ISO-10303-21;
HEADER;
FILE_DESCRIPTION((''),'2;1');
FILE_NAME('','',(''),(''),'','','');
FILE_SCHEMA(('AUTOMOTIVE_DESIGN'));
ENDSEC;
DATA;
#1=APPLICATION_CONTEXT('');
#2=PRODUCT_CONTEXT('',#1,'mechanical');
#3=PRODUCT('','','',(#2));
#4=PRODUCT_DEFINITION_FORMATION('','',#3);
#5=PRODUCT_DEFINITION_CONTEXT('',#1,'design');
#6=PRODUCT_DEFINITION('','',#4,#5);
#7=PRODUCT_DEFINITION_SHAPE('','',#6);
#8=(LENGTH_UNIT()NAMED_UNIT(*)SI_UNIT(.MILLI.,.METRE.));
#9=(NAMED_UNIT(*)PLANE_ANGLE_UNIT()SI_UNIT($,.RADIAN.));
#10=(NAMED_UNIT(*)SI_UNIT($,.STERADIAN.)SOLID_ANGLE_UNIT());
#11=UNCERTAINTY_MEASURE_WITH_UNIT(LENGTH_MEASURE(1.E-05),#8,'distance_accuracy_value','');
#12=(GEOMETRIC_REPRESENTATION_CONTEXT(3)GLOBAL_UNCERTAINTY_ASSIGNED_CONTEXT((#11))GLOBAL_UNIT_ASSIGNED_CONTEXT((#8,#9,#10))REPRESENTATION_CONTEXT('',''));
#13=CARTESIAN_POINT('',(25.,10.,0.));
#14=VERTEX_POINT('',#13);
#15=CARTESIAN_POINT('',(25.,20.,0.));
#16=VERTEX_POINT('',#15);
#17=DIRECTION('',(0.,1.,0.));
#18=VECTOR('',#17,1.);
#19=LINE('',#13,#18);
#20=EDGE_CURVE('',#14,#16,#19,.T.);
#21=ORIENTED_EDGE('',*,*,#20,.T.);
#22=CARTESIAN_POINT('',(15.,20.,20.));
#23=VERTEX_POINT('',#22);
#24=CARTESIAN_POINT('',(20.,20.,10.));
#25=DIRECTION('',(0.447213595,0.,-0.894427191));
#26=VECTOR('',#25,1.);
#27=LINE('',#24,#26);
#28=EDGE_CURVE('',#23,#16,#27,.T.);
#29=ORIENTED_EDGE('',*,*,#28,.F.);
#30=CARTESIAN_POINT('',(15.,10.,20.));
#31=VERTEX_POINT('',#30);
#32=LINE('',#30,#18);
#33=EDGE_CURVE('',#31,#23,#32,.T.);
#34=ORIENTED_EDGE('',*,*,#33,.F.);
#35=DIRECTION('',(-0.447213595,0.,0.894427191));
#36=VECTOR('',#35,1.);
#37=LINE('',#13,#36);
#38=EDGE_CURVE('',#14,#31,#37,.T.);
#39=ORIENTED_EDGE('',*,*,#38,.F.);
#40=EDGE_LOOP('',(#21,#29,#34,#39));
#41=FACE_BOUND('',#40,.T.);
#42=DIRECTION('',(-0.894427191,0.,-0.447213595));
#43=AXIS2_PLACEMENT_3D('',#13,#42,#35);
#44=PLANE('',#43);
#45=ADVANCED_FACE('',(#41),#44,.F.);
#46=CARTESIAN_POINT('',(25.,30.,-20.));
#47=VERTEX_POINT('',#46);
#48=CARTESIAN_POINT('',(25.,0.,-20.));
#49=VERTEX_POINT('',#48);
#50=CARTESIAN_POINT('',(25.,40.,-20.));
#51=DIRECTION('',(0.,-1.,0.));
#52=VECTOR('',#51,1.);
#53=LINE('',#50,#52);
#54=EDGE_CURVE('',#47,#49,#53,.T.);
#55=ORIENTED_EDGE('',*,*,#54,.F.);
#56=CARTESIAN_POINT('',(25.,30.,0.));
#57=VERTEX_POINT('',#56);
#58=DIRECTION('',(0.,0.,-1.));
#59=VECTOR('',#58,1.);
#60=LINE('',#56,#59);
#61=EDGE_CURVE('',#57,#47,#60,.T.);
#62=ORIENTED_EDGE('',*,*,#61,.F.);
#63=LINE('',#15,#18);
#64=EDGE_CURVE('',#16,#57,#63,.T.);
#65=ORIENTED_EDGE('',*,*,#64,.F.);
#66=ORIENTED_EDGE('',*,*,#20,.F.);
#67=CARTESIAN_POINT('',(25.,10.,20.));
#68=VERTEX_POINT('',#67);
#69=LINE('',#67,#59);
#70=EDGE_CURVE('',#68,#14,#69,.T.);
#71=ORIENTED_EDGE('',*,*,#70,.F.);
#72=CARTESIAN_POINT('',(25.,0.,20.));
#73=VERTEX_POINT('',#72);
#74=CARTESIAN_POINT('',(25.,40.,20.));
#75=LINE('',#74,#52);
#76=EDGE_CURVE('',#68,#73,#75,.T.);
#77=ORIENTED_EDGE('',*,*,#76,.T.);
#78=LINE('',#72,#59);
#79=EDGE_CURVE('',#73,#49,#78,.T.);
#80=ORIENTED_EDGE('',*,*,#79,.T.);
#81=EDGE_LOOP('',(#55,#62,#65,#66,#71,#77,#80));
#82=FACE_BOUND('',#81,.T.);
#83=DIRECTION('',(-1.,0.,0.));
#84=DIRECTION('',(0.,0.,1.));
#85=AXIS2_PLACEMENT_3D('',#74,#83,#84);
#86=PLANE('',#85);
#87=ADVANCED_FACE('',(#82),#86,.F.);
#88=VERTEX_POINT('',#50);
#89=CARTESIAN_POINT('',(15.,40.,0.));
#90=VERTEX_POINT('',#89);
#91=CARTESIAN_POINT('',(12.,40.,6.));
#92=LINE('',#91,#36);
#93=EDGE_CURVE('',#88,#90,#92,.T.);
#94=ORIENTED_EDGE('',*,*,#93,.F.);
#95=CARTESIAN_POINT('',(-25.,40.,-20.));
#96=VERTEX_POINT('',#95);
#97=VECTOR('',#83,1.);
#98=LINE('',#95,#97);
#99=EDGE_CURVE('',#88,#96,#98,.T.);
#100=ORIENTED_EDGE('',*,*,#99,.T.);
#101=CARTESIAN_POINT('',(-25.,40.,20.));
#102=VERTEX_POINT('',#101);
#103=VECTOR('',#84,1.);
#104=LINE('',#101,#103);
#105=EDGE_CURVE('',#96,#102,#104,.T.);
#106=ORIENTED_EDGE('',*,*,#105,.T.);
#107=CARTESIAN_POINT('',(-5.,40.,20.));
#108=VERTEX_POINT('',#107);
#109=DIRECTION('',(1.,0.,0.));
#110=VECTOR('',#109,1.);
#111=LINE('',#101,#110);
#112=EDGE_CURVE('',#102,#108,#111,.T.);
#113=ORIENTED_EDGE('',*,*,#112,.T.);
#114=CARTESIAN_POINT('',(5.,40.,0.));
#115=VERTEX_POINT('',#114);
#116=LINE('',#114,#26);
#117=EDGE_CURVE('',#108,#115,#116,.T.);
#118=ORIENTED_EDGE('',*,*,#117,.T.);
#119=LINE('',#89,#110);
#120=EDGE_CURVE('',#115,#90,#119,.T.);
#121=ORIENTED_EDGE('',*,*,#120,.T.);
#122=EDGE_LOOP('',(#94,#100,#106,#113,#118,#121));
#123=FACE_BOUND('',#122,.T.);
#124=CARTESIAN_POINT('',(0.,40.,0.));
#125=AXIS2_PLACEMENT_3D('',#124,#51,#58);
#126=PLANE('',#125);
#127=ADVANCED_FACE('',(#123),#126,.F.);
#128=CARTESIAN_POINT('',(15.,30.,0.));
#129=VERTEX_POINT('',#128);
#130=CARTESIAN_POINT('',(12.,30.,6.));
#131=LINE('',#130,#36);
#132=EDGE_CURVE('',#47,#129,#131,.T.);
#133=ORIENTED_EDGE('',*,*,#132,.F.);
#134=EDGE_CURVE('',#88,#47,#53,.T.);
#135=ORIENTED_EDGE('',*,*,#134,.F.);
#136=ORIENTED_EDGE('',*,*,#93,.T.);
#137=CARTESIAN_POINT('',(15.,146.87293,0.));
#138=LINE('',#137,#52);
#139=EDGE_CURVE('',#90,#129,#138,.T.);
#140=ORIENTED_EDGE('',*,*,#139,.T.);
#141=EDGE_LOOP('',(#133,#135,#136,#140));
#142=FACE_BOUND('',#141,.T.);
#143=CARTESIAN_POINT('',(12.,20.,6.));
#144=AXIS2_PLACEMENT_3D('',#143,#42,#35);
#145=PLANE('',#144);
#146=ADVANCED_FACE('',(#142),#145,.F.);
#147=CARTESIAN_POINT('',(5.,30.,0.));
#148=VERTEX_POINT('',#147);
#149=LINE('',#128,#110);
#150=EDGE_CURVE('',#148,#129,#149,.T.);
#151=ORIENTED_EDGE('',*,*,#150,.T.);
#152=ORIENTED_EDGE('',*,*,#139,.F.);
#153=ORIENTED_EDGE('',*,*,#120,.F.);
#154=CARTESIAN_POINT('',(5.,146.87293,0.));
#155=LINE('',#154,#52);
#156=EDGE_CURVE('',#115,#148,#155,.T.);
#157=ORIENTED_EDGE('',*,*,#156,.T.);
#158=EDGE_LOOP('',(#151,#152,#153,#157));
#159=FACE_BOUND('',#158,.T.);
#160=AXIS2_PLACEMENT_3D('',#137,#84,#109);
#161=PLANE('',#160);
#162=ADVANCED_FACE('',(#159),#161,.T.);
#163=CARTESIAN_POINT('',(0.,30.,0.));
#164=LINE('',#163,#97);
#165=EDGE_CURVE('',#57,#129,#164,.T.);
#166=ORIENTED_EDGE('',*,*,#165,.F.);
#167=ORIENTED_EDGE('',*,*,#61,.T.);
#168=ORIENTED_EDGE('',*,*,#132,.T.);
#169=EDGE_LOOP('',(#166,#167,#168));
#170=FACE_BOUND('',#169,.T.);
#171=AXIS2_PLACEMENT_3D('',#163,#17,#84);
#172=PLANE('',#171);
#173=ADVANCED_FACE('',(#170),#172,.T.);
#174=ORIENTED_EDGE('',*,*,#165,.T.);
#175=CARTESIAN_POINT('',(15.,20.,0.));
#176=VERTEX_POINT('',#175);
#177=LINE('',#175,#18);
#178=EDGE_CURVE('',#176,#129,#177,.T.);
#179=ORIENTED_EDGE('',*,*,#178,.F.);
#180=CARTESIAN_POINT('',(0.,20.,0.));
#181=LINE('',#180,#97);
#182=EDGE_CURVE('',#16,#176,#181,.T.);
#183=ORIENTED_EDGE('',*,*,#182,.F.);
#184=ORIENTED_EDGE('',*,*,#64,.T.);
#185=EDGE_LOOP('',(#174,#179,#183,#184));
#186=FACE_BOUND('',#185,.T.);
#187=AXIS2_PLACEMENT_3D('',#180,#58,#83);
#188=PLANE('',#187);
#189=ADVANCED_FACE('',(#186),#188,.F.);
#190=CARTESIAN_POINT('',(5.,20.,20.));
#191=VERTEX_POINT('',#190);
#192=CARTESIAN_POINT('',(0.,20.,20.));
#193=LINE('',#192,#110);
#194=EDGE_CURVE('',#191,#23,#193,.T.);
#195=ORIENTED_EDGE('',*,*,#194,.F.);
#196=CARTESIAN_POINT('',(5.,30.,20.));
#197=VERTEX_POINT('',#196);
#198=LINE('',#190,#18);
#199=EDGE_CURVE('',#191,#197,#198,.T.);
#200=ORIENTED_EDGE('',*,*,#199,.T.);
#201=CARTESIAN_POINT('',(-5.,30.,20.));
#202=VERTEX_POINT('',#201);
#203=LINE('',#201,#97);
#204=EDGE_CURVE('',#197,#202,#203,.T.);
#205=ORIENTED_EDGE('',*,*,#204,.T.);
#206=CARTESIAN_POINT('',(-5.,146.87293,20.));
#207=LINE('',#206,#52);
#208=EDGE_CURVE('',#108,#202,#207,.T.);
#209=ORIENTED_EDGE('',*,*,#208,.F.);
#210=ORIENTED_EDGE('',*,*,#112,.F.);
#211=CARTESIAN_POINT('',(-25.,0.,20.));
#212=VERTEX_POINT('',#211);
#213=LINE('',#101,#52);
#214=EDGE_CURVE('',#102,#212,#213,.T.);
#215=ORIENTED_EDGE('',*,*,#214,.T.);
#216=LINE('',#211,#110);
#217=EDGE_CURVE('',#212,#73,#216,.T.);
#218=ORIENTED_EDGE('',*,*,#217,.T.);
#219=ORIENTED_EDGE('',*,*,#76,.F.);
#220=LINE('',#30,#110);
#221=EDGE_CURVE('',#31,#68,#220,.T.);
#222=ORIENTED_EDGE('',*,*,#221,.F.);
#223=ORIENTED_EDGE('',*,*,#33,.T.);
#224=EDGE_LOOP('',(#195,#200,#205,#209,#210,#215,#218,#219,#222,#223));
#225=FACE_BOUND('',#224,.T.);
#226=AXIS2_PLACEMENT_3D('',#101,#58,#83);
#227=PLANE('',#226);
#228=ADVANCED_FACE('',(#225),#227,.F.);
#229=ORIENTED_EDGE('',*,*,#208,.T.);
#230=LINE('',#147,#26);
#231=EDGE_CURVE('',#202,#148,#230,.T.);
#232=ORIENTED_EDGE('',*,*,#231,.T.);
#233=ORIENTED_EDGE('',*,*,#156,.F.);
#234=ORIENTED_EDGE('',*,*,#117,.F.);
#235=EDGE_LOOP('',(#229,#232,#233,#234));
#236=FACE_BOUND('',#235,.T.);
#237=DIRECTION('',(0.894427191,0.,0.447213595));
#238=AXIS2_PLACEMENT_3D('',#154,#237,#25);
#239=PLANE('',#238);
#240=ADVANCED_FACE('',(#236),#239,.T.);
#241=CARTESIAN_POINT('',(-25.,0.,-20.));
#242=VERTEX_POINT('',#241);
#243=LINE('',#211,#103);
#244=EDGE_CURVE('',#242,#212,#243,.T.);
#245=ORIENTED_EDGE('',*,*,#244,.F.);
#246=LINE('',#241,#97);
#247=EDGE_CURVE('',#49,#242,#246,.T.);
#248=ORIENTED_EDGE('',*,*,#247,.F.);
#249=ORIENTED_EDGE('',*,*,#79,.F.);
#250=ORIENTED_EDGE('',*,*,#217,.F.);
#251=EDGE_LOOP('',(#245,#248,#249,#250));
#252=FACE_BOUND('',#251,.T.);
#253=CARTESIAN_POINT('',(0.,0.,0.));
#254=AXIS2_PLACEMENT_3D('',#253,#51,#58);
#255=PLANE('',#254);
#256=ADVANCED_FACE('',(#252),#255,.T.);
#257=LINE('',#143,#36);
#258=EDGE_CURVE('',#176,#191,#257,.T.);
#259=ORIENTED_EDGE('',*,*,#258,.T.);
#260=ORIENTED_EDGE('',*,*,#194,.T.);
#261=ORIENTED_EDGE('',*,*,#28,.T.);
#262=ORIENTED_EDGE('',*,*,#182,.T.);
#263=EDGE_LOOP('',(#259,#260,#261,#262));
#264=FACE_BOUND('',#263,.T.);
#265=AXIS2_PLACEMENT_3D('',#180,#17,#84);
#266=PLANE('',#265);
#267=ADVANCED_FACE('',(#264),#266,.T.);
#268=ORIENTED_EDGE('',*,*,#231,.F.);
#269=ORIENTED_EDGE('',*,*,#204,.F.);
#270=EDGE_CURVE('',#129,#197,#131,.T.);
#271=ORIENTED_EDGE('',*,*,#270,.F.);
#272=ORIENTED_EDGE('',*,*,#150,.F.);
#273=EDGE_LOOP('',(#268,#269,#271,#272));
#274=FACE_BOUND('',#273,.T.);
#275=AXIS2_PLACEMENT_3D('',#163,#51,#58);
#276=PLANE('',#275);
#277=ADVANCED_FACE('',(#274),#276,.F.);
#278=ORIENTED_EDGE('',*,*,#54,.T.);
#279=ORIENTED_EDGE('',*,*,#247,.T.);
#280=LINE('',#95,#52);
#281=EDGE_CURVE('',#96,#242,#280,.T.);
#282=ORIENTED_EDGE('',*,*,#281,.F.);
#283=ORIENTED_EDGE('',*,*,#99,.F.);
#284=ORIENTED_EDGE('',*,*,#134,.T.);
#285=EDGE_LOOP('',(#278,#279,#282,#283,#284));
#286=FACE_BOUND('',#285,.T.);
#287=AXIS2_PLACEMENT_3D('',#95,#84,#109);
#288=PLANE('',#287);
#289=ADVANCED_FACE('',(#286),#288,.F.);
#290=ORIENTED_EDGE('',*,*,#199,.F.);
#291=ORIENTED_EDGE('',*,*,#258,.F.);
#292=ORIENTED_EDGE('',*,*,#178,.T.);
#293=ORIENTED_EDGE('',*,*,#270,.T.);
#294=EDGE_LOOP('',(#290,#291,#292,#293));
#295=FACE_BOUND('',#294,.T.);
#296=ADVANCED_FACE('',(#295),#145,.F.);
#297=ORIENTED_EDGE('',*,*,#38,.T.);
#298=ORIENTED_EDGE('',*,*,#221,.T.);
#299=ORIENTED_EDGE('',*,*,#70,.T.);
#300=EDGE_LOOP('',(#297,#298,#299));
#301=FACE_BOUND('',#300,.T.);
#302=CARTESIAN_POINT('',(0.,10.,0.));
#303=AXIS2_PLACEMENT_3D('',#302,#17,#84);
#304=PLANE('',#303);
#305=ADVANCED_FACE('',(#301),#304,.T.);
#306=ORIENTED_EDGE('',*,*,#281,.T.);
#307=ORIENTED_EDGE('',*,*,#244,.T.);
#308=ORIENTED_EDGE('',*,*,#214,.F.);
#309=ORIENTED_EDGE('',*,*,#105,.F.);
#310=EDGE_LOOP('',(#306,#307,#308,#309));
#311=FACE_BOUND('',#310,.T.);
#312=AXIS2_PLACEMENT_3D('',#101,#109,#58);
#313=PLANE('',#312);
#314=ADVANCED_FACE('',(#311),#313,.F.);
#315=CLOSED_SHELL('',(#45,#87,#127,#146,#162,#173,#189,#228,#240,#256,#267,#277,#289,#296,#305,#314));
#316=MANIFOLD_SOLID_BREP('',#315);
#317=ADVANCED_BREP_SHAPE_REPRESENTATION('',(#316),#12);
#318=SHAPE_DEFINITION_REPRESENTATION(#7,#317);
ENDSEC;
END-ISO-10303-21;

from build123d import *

# Parameters (mm, degrees)
SKETCH_1_W               = 50
SKETCH_1_H               = 40
EXTRUDE_1_DEPTH          = 40
CUT_EXTRUDE_1_DEPTH      = 30
CUT_EXTRUDE_2_DEPTH      = 20
CUT_EXTRUDE_3_DEPTH      = 10
CUT_EXTRUDE_4_DEPTH      = 1
CUT_EXTRUDE_4_DEPTH_BACK = 10


with BuildPart() as part:
    # 草圖1 → 填料-伸長1 (new body)
    with BuildSketch(Plane(origin=(0, 0, 0), x_dir=(1, 0, 0), z_dir=(0, 1, 0))):
        Rectangle(SKETCH_1_W, SKETCH_1_H)
    extrude(amount=EXTRUDE_1_DEPTH)

    # 草圖2 → 除料-伸長1 (cut)
    with BuildSketch(Plane(origin=(0, 40, 0), x_dir=(1, 0, 0), z_dir=(0, 1, 0))):
        Polygon((25, 0), (15, -20), (25, -20), align=None)
    extrude(amount=-CUT_EXTRUDE_1_DEPTH, mode=Mode.SUBTRACT)

    # 草圖3 → 除料-伸長2 (cut)
    with BuildSketch(Plane(origin=(0, 40, 0), x_dir=(1, 0, 0), z_dir=(0, 1, 0))):
        Polygon((25, 0), (15, 0), (5, -20), (15, -20), align=None)
    extrude(amount=-CUT_EXTRUDE_2_DEPTH, mode=Mode.SUBTRACT)

    # 草圖3<3> → 除料-伸長3 (cut)
    with BuildSketch(Plane(origin=(0, 40, 0), x_dir=(1, 0, 0), z_dir=(0, 1, 0))):
        Polygon((25, 0), (25, 20), (15, 0), align=None)
    extrude(amount=-CUT_EXTRUDE_3_DEPTH, mode=Mode.SUBTRACT)

    # 草圖4 → 除料-伸長4 (cut, two sides)
    with BuildSketch(Plane(origin=(0, 40, 0), x_dir=(1, 0, 0), z_dir=(0, 1, 0))) as cut_extrude_4_sk:
        Polygon((125, 0), (15, 0), (5, 0), (-5, -20), (5, -20), (115, -20), (311.77398202, -118.38699101), (321.77398202, -98.38699101), align=None)
    extrude(amount=CUT_EXTRUDE_4_DEPTH, mode=Mode.SUBTRACT)
    extrude(cut_extrude_4_sk.sketch, amount=-CUT_EXTRUDE_4_DEPTH_BACK, mode=Mode.SUBTRACT)


solid = part.part
